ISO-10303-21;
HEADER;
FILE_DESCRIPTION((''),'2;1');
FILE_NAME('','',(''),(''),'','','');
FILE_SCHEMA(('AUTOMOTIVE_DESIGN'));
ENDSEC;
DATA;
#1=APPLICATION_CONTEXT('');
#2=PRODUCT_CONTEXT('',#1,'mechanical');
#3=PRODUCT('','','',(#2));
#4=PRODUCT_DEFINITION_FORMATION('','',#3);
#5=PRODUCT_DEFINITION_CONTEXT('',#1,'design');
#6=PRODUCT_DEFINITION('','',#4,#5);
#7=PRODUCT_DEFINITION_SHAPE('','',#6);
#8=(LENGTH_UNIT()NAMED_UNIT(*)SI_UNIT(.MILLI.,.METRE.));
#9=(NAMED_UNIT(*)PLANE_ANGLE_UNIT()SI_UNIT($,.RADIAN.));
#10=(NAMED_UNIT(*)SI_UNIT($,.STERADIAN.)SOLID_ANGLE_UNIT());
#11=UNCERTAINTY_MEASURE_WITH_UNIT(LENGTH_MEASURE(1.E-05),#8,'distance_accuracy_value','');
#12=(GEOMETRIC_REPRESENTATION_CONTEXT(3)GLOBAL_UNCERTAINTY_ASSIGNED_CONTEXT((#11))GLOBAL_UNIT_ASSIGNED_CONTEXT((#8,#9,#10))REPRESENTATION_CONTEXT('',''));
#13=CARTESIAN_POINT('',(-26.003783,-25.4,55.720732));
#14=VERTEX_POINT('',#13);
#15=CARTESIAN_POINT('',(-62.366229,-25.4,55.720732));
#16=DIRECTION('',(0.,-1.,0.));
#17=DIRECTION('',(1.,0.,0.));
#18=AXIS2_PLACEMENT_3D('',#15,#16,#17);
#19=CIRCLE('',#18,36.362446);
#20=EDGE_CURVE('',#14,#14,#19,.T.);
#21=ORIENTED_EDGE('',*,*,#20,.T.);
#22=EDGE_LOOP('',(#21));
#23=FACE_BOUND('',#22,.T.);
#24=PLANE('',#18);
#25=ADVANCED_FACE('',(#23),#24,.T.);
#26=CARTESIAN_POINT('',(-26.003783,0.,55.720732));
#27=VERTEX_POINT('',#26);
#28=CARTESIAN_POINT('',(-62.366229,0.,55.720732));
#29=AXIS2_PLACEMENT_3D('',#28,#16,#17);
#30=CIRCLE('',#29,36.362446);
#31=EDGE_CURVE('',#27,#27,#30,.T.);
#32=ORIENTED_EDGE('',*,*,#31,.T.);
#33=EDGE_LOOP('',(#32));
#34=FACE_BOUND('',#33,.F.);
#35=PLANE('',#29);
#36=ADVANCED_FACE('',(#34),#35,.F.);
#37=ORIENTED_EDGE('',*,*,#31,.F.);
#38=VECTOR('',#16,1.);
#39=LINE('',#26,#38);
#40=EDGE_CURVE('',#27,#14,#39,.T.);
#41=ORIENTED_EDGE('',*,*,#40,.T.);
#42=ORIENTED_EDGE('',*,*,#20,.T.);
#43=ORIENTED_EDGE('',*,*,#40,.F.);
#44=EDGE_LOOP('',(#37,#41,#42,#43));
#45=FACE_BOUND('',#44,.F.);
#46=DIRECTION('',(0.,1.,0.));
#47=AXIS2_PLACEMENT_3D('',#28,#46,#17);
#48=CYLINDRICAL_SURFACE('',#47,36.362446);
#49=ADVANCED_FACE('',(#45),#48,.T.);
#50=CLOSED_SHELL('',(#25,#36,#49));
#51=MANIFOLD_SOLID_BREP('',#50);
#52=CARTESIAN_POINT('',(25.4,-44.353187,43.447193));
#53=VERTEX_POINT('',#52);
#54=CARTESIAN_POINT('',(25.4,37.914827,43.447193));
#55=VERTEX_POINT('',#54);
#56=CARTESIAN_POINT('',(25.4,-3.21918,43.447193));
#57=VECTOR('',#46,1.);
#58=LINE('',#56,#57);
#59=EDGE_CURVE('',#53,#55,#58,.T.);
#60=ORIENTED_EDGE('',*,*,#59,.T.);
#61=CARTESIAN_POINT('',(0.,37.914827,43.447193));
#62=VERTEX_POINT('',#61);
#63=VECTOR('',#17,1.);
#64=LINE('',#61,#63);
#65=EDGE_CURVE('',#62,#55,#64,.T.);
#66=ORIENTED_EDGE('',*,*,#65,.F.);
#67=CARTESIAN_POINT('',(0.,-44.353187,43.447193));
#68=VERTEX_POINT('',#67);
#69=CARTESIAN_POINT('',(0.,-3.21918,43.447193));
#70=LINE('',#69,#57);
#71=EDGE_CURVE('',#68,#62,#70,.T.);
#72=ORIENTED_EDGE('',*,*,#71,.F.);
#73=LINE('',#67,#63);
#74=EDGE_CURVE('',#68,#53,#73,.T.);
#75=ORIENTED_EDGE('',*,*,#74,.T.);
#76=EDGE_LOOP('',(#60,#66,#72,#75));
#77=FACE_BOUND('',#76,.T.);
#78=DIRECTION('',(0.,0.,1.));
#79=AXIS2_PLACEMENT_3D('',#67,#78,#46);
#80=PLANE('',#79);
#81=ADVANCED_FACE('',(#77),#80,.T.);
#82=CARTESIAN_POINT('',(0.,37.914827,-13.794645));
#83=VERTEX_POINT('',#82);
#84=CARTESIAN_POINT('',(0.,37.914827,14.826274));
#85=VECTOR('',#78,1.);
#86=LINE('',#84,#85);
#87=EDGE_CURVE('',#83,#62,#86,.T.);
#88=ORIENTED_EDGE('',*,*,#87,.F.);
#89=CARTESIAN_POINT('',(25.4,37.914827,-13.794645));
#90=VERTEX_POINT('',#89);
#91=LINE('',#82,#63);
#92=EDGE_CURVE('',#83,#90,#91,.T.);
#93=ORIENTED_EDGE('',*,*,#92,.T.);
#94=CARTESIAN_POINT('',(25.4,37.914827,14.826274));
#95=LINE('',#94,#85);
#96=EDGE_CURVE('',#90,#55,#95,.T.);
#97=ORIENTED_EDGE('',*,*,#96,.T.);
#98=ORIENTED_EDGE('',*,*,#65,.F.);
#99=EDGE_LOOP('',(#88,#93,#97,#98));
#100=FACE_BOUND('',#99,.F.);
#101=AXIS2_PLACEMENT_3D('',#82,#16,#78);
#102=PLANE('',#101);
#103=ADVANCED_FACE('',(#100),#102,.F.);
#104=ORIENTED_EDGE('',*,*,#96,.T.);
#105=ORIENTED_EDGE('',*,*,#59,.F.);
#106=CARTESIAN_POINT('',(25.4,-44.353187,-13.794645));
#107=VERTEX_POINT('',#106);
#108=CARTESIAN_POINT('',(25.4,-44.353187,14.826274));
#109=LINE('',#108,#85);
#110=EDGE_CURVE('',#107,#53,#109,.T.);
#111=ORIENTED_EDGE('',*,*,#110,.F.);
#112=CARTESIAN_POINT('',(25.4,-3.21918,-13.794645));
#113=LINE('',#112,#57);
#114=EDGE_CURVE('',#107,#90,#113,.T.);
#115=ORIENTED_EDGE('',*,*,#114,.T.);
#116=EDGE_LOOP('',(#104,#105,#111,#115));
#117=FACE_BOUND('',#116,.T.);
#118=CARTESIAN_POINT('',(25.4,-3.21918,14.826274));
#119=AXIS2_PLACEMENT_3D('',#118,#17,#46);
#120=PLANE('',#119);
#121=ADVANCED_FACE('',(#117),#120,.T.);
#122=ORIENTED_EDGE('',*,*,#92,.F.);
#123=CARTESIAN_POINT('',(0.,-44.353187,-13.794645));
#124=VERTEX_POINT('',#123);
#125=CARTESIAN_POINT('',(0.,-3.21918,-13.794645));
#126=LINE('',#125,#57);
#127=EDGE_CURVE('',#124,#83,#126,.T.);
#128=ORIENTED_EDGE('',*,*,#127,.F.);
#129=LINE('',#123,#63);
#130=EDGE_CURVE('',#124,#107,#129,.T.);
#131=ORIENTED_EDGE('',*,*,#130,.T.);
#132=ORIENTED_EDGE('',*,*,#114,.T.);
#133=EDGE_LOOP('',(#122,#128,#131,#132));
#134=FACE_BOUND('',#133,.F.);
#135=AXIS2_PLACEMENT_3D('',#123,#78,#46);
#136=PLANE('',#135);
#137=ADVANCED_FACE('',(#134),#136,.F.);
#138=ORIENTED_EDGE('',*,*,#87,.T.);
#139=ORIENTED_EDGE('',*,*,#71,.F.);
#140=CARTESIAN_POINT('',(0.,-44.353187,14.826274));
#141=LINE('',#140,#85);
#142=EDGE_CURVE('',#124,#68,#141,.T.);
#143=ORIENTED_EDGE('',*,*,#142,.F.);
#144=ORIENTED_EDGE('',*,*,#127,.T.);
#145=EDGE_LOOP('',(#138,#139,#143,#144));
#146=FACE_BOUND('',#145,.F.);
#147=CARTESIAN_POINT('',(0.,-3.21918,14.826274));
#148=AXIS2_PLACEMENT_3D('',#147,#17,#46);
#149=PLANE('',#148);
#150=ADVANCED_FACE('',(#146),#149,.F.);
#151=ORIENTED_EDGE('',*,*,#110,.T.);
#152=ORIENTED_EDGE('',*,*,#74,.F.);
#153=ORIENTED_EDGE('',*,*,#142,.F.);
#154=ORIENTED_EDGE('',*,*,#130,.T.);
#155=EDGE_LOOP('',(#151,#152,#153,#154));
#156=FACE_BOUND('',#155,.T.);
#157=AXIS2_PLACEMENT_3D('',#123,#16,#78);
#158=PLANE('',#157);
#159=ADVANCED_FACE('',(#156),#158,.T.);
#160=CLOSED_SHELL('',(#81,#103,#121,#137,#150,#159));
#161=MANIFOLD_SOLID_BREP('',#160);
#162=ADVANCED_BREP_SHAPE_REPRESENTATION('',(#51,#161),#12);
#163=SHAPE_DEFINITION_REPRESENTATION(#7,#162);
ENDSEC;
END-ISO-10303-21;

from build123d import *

# Parameters (mm, degrees)
F0_W     = 82.268014
F0_H     = 57.241838
F1_DEPTH = 25.4
F2_R     = 36.362446
F3_DEPTH = 25.4


with BuildPart() as f1:
    # F0 (on Right) → F1 (new body)
    with BuildSketch(Plane.YZ):
        with Locations((-3.21918, 14.826274)):
            Rectangle(F0_W, F0_H)
    extrude(amount=F1_DEPTH)


with BuildPart() as f3:
    # F2 (on Front) → F3 (new body)
    with BuildSketch(Plane.XZ):
        with Locations((-62.366229, 55.720732)):
            Circle(F2_R)
    extrude(amount=F3_DEPTH)


solid = Compound([f1.part, f3.part])
